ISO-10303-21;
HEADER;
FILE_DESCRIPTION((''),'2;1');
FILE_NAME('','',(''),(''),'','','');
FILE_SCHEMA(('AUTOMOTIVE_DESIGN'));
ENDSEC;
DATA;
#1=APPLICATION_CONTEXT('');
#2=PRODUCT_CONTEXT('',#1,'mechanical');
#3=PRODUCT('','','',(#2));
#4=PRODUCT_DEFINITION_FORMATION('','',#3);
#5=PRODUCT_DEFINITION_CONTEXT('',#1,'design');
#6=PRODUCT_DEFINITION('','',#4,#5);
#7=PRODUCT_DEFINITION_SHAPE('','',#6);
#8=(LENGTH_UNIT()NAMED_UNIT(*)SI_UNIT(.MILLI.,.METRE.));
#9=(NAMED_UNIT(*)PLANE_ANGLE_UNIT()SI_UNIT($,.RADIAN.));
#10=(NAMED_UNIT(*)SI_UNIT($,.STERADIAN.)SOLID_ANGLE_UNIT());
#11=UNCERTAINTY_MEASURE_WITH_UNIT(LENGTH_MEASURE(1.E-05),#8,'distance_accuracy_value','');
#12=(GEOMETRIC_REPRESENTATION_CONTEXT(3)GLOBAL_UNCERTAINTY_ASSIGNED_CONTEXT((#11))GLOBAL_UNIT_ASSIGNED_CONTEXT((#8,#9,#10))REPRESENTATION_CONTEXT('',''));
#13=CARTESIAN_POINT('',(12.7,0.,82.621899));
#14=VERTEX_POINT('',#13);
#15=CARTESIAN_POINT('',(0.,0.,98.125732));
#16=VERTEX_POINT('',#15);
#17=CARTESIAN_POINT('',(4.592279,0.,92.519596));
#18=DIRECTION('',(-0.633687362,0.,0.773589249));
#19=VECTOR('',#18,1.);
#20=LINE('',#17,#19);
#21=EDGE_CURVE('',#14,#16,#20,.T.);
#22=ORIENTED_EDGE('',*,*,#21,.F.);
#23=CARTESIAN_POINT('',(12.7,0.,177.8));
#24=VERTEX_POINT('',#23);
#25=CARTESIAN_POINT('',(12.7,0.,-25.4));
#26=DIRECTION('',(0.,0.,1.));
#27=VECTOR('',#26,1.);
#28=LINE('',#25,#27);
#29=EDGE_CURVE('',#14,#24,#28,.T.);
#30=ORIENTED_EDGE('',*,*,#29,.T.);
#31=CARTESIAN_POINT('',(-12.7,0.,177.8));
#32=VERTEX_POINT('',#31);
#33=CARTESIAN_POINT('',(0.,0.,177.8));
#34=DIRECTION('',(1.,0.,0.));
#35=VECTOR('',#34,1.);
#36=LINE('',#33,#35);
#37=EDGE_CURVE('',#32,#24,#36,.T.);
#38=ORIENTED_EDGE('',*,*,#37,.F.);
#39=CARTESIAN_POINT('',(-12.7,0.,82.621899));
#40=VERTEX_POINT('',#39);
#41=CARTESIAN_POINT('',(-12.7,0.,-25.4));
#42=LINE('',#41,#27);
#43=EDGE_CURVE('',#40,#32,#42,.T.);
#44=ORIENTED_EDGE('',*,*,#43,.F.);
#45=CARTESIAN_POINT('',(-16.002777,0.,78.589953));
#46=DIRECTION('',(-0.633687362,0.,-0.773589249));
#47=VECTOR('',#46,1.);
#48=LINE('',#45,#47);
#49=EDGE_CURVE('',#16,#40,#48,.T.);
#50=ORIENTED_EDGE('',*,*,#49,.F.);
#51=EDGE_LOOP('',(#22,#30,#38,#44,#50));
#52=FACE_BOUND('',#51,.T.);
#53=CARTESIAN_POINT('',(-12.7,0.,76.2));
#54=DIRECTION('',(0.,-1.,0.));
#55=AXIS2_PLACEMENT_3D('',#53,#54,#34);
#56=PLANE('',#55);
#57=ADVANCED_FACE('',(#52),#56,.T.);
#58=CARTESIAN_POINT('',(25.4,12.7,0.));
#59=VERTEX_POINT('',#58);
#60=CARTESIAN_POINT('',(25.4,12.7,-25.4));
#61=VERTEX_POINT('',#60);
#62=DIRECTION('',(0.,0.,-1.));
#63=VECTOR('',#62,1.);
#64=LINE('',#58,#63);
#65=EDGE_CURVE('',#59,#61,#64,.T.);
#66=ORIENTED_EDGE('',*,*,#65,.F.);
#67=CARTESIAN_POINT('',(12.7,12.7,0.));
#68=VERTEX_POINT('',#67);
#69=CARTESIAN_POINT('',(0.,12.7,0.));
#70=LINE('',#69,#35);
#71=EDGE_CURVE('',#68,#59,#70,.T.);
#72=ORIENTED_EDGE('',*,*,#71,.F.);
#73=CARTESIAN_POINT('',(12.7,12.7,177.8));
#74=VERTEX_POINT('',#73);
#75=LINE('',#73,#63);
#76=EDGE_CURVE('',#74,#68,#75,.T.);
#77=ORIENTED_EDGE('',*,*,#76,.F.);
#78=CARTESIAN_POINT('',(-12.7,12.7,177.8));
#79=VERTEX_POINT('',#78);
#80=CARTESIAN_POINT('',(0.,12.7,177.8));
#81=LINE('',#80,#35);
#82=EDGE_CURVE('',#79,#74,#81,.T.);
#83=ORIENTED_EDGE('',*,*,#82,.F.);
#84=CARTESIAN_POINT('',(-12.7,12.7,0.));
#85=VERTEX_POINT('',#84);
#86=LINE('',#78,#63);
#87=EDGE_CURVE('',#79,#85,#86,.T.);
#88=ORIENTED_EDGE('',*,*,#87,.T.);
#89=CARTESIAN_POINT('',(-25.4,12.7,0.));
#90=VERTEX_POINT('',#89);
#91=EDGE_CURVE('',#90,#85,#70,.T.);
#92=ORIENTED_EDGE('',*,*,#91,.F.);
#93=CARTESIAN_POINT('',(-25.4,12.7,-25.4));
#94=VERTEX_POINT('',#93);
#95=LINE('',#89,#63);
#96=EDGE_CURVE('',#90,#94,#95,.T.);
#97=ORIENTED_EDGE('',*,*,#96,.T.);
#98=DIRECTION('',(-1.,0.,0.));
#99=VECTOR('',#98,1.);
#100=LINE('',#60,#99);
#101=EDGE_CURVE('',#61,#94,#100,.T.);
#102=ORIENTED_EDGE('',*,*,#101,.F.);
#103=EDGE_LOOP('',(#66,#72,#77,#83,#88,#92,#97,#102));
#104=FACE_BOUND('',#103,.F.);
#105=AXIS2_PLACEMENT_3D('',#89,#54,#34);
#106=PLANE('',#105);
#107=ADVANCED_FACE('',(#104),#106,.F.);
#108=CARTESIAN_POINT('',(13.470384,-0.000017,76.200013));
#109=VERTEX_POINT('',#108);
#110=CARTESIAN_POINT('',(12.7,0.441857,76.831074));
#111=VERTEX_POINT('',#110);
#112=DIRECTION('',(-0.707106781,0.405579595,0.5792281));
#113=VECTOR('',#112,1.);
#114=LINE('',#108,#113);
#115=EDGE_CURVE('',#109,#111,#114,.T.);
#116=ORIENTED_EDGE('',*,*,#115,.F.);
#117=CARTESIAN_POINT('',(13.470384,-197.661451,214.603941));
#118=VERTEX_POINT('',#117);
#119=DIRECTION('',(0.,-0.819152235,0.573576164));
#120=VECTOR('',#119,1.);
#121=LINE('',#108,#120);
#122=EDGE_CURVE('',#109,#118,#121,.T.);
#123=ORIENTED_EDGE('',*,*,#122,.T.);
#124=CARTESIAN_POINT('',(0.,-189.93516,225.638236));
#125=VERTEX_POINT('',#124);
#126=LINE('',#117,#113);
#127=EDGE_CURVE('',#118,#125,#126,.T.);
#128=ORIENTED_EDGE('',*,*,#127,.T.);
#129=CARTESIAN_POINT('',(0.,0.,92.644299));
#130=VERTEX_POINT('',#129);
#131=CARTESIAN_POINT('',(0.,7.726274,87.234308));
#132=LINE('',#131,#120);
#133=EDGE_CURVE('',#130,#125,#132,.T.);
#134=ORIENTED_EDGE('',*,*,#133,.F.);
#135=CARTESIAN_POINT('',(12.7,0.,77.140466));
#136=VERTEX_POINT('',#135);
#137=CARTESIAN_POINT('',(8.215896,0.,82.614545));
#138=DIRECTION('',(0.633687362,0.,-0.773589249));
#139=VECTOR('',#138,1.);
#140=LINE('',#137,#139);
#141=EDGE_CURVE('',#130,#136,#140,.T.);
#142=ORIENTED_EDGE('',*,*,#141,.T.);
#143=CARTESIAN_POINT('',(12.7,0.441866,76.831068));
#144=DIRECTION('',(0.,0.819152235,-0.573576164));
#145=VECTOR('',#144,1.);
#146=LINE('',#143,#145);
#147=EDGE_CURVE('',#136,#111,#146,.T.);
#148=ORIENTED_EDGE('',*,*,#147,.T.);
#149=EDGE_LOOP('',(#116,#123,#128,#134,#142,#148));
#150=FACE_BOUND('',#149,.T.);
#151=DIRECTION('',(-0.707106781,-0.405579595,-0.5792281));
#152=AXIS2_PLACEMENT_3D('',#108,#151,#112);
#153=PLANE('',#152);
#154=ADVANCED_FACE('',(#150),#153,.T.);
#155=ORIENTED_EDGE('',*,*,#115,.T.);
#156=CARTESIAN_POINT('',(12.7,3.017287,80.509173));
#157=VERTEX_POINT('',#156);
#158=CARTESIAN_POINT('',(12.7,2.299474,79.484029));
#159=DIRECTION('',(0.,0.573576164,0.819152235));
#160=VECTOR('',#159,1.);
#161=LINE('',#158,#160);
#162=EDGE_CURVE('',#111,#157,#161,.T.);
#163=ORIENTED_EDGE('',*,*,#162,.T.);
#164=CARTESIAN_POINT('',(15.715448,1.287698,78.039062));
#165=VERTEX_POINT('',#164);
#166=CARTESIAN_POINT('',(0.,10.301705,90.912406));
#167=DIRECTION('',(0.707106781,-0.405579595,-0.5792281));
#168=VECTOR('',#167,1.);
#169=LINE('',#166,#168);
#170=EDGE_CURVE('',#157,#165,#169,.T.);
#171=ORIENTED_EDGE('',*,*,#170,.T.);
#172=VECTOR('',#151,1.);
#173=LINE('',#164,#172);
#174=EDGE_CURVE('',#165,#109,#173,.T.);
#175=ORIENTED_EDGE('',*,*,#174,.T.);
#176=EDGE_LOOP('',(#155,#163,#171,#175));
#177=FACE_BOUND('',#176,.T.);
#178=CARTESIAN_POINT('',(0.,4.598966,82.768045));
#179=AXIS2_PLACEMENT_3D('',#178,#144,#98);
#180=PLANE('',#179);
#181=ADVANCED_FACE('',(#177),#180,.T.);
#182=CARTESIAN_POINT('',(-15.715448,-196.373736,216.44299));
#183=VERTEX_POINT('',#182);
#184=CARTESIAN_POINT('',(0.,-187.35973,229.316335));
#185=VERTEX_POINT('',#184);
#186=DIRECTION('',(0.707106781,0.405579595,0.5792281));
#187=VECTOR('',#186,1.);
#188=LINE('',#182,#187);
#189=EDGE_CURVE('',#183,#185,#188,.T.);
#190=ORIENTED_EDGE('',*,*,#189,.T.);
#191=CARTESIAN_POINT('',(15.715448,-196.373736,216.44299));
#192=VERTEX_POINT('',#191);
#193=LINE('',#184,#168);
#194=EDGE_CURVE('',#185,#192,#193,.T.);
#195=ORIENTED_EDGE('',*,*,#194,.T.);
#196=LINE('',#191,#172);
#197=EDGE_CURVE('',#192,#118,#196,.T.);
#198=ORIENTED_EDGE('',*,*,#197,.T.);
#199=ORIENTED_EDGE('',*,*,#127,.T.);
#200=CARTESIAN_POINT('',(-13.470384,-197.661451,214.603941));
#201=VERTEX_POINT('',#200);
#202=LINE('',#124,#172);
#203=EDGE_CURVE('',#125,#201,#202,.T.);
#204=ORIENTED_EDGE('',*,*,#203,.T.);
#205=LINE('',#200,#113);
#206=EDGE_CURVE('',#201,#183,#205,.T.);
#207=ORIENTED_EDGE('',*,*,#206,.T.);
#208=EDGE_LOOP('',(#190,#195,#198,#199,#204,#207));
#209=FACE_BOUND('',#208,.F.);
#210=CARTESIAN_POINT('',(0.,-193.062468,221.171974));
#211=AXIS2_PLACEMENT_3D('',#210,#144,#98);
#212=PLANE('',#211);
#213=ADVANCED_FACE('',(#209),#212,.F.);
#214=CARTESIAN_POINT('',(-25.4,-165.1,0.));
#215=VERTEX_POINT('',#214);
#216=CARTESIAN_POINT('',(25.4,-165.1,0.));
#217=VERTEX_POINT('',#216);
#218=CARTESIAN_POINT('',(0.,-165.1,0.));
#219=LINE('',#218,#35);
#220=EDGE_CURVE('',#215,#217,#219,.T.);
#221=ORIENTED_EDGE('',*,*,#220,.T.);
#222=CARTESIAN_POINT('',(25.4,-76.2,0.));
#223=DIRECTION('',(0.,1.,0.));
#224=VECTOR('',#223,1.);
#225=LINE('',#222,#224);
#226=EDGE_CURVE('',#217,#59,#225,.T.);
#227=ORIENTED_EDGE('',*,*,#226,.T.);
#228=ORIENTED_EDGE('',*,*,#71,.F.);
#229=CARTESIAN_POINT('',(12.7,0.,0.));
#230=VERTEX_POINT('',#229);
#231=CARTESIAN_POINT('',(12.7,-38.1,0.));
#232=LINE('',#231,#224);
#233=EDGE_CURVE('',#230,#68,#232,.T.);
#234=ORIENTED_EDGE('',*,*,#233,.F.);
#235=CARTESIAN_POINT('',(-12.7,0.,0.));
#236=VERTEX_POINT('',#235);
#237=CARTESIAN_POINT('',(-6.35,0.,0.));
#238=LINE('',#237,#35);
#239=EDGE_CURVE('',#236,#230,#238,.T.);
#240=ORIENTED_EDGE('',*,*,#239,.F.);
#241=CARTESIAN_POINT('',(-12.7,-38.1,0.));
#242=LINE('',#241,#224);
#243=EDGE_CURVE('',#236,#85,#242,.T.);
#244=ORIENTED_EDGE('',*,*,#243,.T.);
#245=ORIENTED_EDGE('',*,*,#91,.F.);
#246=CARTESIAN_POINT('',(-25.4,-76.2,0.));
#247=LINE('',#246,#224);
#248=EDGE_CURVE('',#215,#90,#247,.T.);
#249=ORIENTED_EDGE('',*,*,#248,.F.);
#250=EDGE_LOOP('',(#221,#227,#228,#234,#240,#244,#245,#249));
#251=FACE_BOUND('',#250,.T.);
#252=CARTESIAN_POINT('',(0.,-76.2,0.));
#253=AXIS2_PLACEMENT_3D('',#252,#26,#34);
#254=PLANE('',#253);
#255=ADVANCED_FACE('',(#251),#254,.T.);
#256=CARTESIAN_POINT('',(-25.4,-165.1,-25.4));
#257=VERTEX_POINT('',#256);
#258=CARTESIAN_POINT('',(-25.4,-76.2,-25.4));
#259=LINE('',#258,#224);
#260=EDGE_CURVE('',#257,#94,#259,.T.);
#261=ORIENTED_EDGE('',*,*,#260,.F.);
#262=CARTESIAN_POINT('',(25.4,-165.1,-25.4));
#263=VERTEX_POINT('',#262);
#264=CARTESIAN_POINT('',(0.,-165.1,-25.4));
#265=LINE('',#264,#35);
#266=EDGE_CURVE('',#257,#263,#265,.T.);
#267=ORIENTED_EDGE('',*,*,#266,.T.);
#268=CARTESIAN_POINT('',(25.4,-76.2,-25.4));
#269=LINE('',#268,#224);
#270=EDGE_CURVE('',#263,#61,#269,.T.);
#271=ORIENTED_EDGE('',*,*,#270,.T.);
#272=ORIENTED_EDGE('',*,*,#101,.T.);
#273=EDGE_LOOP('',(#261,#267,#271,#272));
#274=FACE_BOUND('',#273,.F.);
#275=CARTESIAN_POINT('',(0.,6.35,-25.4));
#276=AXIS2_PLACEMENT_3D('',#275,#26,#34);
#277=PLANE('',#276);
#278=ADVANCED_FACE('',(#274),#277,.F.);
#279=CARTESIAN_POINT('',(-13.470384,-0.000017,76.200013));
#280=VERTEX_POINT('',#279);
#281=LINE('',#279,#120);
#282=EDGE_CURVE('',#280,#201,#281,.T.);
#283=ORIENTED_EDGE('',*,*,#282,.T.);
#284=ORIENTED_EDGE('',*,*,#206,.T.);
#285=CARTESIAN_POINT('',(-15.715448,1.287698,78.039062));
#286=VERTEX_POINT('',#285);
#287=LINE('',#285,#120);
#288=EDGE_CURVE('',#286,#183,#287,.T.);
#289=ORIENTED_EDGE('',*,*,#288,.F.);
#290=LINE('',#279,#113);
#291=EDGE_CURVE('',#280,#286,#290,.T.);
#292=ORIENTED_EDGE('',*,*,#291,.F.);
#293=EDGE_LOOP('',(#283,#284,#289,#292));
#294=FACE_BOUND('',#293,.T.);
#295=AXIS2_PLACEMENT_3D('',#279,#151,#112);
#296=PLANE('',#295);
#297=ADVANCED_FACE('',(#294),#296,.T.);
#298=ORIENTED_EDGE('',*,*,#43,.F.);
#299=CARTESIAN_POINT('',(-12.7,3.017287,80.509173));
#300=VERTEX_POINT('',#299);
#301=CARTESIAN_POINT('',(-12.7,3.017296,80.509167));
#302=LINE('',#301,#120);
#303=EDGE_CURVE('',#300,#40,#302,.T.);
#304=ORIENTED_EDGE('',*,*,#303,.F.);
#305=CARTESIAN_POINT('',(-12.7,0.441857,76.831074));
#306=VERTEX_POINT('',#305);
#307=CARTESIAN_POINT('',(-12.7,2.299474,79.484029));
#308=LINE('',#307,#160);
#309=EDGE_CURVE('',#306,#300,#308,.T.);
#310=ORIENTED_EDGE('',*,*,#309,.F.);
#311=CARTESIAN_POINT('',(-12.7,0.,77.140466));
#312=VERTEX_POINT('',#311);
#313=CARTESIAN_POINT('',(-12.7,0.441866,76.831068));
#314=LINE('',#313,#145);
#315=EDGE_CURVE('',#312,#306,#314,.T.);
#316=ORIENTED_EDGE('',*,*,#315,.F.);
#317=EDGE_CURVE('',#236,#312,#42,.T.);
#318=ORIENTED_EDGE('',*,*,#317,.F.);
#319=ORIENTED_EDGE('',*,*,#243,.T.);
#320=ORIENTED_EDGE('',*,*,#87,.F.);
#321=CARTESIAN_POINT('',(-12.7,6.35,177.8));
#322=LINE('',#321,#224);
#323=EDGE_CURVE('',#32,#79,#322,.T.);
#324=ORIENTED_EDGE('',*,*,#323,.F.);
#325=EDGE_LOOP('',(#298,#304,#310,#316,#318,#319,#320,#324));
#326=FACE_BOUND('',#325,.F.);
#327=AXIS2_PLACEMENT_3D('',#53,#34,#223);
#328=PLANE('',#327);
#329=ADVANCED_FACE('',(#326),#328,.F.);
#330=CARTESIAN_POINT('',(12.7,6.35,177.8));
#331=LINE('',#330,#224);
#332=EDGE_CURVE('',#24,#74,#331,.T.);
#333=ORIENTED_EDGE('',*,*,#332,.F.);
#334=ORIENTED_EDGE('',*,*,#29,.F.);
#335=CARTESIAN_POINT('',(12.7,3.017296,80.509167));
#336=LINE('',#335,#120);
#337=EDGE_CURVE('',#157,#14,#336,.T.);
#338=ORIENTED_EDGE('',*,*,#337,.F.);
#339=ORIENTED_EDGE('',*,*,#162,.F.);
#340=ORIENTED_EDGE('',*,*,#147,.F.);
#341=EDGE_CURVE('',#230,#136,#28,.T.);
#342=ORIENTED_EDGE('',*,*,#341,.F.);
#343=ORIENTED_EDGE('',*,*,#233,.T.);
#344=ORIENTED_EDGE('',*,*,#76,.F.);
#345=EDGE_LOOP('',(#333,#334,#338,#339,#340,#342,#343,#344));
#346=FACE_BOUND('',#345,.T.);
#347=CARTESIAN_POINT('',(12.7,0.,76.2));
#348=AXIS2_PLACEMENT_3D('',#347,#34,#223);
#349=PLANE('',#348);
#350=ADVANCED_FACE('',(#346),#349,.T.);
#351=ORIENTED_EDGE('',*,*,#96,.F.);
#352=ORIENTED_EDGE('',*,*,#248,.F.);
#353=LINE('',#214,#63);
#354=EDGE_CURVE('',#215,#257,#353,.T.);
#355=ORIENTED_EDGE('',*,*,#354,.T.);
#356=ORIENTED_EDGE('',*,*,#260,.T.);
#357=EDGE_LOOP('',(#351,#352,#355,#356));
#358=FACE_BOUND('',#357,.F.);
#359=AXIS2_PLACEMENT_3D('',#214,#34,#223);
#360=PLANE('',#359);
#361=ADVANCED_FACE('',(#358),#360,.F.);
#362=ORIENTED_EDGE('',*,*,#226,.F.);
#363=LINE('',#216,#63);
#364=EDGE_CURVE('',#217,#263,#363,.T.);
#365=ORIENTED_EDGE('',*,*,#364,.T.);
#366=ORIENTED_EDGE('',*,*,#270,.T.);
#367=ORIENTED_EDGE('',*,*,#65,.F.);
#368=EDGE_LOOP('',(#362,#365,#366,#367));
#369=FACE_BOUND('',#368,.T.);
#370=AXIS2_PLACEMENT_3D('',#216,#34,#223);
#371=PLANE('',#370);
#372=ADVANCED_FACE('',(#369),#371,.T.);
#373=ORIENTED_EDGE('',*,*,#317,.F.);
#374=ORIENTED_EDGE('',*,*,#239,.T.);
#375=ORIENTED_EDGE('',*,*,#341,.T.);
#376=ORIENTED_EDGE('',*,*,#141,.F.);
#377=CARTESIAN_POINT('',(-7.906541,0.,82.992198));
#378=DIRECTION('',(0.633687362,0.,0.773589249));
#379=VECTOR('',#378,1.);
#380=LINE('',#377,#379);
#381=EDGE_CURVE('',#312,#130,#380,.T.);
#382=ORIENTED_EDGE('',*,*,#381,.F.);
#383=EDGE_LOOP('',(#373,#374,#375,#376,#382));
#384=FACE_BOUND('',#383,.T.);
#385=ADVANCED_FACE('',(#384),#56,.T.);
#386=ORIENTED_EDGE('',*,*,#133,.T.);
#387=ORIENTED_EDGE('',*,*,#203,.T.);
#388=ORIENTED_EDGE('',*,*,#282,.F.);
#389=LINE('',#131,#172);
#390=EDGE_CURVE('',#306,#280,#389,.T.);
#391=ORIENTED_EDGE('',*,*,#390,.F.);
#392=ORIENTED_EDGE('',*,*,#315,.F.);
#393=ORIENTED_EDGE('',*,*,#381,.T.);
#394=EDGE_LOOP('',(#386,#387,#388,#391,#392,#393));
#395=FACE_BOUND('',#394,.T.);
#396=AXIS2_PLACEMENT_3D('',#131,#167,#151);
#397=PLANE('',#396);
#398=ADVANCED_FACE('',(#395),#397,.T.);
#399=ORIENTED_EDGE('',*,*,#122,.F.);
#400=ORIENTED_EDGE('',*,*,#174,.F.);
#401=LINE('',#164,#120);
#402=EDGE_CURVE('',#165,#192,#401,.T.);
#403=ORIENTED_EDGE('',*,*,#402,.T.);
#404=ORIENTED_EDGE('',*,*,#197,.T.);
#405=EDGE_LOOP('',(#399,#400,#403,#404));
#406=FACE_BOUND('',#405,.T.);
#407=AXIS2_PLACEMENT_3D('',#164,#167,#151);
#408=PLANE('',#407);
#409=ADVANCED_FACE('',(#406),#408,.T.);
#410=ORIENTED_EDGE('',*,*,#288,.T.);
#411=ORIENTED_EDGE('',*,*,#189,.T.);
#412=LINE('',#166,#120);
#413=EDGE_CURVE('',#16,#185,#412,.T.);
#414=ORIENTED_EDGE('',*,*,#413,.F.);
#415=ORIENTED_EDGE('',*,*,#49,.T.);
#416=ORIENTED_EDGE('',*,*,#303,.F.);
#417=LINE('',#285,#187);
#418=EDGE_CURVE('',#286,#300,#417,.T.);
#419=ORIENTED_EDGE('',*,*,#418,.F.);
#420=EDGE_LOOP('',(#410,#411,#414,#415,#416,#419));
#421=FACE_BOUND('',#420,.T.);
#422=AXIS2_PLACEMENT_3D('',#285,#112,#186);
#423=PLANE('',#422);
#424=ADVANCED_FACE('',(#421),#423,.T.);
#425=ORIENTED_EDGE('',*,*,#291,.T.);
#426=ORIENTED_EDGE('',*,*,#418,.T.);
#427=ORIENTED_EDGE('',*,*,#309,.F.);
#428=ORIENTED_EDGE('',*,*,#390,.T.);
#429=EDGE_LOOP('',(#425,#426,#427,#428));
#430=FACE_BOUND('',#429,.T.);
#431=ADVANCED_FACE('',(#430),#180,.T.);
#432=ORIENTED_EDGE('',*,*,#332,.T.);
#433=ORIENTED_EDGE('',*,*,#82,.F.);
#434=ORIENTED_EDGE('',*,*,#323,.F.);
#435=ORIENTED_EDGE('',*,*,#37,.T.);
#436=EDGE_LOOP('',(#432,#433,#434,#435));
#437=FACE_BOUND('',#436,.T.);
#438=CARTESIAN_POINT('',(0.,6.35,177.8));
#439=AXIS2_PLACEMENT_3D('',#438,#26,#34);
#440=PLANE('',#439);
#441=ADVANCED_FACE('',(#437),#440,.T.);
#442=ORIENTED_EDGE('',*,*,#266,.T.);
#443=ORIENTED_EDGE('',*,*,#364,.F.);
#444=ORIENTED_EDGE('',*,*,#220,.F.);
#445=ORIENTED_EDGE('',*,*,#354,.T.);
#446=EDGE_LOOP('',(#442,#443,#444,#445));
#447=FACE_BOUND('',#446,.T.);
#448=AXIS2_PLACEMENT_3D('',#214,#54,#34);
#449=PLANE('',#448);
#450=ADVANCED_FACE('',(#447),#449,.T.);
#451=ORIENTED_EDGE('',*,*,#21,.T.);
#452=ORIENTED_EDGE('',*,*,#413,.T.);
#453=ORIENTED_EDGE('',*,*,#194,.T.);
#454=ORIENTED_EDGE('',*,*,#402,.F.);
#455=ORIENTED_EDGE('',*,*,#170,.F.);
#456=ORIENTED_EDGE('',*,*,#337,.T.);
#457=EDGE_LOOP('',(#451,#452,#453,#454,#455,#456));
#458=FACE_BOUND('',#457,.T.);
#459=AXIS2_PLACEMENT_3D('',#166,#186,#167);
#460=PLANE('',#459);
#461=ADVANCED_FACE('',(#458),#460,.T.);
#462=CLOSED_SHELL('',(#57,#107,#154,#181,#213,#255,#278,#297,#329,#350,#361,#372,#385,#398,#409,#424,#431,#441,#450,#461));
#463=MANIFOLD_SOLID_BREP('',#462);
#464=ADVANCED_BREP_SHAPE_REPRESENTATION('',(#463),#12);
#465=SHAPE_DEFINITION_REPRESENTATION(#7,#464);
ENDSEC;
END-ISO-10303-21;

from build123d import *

# Parameters (mm, degrees)
F0_W     = 50.8
F0_H     = 177.8
F1_DEPTH = 25.4
F3_W     = 25.4
F3_H     = 12.7
F4_DEPTH = 101.6
F8_DEPTH = 241.3


with BuildPart() as f1:
    # F0 (on Top) → F1 (new body)
    with BuildSketch(Plane.XY):
        with Locations((0, -76.2)):
            Rectangle(F0_W, F0_H)
    extrude(amount=-F1_DEPTH)

    # F3 (on offset) → F4 (join, symmetric)
    with BuildSketch(Plane.XY.offset(76.2)):
        with Locations((0, 6.35)):
            Rectangle(F3_W, F3_H)
    extrude(amount=F4_DEPTH, both=True)

    # F7 (on face) → F8 (join)
    with BuildSketch(Plane(origin=(0, -35.802289, 25.069033), x_dir=(-1, 0, 0), z_dir=(0, 0.819152, -0.573576))):
        Polygon((-13.470384, 62.419386), (0, 75.88977), (13.470384, 62.419386), (15.715448, 64.66445), (0, 80.379898), (-15.715448, 64.66445), align=None)
    extrude(amount=-F8_DEPTH)


solid = f1.part
